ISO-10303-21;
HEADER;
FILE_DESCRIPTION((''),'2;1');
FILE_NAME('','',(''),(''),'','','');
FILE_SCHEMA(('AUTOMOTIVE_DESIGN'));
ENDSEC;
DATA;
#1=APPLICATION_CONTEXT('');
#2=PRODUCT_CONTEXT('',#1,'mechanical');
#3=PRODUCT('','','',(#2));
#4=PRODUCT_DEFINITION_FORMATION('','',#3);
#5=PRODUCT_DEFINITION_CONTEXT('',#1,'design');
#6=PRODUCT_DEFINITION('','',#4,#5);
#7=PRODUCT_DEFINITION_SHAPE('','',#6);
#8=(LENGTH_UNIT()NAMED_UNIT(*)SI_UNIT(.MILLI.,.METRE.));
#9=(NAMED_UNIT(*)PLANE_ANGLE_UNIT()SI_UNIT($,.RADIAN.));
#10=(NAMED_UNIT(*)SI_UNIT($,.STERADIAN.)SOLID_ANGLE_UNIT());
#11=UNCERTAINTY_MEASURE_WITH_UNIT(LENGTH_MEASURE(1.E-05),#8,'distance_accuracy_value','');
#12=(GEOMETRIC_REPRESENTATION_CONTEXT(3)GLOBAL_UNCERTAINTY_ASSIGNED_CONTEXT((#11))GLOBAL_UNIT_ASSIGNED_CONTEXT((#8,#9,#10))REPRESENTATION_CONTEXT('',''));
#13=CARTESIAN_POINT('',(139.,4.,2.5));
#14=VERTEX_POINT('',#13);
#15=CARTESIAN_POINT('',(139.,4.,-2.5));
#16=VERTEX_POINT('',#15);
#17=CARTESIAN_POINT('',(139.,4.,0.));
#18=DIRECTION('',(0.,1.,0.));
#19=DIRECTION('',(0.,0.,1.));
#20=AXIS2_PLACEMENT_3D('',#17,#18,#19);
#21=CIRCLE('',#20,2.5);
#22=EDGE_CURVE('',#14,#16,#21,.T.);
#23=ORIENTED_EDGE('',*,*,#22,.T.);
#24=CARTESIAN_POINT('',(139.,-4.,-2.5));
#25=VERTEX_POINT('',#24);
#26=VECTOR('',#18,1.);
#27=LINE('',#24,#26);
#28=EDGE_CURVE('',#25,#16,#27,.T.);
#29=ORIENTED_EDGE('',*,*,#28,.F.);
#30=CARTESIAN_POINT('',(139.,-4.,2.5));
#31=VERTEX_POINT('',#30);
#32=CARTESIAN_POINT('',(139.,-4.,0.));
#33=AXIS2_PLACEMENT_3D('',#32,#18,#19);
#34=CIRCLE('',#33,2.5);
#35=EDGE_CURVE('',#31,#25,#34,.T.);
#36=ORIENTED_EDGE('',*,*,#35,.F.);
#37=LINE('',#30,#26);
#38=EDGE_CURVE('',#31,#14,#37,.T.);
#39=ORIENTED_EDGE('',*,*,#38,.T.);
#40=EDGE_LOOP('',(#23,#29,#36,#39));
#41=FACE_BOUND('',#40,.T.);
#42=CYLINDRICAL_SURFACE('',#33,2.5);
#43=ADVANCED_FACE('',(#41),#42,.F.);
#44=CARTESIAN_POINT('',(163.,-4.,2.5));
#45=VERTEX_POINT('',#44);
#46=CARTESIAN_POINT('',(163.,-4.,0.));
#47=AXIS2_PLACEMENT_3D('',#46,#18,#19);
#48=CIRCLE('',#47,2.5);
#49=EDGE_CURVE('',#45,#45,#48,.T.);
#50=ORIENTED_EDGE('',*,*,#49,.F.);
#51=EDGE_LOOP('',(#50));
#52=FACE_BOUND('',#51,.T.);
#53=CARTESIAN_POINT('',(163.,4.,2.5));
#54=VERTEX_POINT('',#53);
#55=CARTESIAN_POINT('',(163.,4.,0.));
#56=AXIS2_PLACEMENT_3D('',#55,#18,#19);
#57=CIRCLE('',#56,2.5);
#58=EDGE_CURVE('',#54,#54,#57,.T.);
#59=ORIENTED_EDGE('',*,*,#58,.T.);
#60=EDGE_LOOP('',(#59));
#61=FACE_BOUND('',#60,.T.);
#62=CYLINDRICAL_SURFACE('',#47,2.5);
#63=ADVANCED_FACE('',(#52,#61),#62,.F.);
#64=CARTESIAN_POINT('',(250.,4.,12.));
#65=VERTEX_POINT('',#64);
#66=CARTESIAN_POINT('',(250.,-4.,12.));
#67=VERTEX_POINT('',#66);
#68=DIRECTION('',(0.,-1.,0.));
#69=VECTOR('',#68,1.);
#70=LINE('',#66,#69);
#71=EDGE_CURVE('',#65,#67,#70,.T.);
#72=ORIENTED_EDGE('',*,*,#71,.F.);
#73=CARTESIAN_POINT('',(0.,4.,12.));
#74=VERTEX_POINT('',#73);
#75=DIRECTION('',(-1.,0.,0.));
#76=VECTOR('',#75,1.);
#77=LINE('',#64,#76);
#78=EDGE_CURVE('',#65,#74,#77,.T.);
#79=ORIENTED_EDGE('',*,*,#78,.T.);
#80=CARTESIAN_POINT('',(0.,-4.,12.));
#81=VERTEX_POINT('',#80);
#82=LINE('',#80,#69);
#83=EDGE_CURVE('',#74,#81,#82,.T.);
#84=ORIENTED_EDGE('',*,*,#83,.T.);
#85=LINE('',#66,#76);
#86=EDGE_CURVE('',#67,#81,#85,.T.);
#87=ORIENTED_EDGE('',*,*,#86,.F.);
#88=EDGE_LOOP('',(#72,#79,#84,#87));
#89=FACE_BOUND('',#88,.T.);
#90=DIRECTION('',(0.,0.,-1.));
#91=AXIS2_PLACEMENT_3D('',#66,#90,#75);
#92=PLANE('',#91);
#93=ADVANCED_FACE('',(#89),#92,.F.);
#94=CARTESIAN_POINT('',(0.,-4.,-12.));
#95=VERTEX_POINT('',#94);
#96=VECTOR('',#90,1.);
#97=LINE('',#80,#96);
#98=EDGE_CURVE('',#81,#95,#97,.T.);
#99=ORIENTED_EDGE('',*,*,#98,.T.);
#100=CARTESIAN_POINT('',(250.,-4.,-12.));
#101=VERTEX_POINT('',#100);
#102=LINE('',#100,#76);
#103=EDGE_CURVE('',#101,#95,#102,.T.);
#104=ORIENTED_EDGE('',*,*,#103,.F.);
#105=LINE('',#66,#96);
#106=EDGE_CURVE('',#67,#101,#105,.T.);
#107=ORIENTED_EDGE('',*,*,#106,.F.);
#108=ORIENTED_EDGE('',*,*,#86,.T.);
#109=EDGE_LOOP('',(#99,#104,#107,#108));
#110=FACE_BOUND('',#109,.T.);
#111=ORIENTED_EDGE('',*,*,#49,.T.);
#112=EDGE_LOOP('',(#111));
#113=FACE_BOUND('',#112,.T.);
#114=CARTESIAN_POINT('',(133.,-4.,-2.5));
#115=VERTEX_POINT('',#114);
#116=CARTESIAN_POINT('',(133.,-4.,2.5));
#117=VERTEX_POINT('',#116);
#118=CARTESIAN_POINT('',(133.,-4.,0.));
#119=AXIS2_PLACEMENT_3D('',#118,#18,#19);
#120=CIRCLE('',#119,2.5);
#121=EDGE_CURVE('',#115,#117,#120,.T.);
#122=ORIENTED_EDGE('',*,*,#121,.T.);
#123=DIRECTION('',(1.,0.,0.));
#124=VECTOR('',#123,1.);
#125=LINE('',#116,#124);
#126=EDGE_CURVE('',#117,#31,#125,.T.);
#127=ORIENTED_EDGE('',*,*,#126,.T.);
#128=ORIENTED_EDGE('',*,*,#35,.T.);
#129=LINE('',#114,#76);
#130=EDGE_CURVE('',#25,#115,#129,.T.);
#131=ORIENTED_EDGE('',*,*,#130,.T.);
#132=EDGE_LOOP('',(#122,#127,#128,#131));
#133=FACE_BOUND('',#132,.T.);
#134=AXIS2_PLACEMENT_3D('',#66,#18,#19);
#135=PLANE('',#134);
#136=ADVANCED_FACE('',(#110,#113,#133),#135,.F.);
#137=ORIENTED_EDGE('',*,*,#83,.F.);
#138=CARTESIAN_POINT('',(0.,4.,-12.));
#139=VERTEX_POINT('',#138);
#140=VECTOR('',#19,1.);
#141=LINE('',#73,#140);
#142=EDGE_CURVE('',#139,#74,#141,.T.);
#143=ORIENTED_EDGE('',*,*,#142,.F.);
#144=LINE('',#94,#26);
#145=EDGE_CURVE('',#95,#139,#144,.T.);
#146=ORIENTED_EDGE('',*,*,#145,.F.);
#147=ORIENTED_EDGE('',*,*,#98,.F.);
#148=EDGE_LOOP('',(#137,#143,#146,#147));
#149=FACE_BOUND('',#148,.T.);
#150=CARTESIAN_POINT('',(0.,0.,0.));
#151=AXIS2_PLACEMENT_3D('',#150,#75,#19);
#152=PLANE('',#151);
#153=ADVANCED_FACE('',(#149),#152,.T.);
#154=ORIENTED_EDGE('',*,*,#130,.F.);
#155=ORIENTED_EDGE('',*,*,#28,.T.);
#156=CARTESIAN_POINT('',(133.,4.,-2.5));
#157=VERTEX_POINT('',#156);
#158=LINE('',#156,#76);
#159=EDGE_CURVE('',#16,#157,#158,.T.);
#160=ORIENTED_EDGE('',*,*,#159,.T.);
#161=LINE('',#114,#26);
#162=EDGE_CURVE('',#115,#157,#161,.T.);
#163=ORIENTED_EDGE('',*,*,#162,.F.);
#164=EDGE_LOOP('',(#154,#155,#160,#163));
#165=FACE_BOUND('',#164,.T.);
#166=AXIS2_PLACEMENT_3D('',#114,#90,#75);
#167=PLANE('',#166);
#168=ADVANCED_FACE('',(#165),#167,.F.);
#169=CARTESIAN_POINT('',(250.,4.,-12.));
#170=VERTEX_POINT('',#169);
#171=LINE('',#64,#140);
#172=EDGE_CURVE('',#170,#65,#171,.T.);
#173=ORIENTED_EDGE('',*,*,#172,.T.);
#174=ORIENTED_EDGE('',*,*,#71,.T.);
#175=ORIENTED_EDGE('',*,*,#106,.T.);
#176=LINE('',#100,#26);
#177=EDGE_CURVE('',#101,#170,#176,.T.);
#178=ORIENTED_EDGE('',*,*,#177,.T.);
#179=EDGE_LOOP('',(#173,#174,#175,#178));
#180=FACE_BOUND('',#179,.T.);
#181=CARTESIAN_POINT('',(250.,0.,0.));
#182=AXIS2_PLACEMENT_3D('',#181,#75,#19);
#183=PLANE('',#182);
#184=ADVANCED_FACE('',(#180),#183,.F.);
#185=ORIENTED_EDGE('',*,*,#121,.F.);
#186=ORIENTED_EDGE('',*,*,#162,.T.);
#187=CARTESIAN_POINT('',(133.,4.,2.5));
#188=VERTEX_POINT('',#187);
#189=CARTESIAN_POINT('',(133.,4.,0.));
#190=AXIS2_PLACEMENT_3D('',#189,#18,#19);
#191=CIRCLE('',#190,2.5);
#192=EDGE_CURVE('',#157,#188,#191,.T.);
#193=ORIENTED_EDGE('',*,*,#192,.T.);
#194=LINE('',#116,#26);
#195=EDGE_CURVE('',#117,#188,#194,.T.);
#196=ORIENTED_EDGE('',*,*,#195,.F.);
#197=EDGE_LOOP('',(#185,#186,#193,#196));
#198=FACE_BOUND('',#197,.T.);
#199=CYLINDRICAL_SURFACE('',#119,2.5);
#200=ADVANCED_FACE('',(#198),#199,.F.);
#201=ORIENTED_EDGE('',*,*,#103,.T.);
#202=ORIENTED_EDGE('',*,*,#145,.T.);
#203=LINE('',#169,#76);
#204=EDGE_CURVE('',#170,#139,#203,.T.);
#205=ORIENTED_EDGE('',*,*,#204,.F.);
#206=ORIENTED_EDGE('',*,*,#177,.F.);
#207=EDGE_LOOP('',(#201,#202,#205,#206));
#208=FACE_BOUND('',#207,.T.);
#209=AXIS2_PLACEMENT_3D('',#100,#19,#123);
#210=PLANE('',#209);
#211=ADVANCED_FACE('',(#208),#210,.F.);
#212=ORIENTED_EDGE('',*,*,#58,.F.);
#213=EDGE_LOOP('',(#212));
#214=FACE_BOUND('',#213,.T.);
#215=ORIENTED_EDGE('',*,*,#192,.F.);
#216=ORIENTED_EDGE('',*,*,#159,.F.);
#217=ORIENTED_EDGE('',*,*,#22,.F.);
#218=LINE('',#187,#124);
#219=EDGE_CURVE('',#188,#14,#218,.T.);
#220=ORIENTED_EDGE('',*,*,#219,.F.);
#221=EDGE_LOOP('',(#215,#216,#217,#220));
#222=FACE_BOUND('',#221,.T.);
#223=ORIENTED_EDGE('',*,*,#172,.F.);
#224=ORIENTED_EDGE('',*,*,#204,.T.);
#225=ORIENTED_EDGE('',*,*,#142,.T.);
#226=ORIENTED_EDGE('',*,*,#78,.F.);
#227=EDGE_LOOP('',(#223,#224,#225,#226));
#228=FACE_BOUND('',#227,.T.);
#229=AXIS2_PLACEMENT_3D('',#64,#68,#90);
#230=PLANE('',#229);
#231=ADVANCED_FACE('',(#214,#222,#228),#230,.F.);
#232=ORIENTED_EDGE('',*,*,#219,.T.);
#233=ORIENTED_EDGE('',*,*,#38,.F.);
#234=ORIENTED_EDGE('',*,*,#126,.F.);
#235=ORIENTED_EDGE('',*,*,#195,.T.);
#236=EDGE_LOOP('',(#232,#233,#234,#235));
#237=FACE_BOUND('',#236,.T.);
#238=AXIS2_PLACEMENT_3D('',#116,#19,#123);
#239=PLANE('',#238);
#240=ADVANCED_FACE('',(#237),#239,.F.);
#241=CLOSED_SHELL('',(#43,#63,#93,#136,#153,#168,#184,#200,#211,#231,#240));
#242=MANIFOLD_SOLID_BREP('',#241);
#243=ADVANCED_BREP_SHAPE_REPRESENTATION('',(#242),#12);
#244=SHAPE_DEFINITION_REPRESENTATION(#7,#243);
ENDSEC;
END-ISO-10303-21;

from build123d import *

# Parameters (mm, degrees)
SKETCH_1_W               = 24
SKETCH_1_H               = 8
EXTRUDE_1_DEPTH          = 250
CUT_EXTRUDE_3_DEPTH      = 251.319795462
CUT_EXTRUDE_3_DEPTH_BACK = 251.319795462
SKETCH_2_R               = 2.5


with BuildPart() as part:
    # 草图1 → 凸台-拉伸1 (new body)
    with BuildSketch(Plane(origin=(0, 0, 0), x_dir=(0, 0, -1), z_dir=(1, 0, 0))):
        Rectangle(SKETCH_1_W, SKETCH_1_H)
    extrude(amount=EXTRUDE_1_DEPTH)

    # 草图2 → 切除-拉伸3 (cut, two sides: drawn at the far end of the back side and taken through both)
    with BuildSketch(Plane(origin=(0, 0, 0), x_dir=(1, 0, 0), z_dir=(0, 1, 0)).offset(-CUT_EXTRUDE_3_DEPTH_BACK)):
        with Locations(Location((163, 0, 0), (0, 0, 270))):
            Circle(SKETCH_2_R)
        with BuildLine():
            Line((133, 2.5), (139, 2.5))
            ThreePointArc((139, 2.5), (141.5, 0), (139, -2.5))
            Line((139, -2.5), (133, -2.5))
            ThreePointArc((133, -2.5), (130.5, 0), (133, 2.5))
        make_face()
    extrude(amount=CUT_EXTRUDE_3_DEPTH + CUT_EXTRUDE_3_DEPTH_BACK, mode=Mode.SUBTRACT)


solid = part.part
